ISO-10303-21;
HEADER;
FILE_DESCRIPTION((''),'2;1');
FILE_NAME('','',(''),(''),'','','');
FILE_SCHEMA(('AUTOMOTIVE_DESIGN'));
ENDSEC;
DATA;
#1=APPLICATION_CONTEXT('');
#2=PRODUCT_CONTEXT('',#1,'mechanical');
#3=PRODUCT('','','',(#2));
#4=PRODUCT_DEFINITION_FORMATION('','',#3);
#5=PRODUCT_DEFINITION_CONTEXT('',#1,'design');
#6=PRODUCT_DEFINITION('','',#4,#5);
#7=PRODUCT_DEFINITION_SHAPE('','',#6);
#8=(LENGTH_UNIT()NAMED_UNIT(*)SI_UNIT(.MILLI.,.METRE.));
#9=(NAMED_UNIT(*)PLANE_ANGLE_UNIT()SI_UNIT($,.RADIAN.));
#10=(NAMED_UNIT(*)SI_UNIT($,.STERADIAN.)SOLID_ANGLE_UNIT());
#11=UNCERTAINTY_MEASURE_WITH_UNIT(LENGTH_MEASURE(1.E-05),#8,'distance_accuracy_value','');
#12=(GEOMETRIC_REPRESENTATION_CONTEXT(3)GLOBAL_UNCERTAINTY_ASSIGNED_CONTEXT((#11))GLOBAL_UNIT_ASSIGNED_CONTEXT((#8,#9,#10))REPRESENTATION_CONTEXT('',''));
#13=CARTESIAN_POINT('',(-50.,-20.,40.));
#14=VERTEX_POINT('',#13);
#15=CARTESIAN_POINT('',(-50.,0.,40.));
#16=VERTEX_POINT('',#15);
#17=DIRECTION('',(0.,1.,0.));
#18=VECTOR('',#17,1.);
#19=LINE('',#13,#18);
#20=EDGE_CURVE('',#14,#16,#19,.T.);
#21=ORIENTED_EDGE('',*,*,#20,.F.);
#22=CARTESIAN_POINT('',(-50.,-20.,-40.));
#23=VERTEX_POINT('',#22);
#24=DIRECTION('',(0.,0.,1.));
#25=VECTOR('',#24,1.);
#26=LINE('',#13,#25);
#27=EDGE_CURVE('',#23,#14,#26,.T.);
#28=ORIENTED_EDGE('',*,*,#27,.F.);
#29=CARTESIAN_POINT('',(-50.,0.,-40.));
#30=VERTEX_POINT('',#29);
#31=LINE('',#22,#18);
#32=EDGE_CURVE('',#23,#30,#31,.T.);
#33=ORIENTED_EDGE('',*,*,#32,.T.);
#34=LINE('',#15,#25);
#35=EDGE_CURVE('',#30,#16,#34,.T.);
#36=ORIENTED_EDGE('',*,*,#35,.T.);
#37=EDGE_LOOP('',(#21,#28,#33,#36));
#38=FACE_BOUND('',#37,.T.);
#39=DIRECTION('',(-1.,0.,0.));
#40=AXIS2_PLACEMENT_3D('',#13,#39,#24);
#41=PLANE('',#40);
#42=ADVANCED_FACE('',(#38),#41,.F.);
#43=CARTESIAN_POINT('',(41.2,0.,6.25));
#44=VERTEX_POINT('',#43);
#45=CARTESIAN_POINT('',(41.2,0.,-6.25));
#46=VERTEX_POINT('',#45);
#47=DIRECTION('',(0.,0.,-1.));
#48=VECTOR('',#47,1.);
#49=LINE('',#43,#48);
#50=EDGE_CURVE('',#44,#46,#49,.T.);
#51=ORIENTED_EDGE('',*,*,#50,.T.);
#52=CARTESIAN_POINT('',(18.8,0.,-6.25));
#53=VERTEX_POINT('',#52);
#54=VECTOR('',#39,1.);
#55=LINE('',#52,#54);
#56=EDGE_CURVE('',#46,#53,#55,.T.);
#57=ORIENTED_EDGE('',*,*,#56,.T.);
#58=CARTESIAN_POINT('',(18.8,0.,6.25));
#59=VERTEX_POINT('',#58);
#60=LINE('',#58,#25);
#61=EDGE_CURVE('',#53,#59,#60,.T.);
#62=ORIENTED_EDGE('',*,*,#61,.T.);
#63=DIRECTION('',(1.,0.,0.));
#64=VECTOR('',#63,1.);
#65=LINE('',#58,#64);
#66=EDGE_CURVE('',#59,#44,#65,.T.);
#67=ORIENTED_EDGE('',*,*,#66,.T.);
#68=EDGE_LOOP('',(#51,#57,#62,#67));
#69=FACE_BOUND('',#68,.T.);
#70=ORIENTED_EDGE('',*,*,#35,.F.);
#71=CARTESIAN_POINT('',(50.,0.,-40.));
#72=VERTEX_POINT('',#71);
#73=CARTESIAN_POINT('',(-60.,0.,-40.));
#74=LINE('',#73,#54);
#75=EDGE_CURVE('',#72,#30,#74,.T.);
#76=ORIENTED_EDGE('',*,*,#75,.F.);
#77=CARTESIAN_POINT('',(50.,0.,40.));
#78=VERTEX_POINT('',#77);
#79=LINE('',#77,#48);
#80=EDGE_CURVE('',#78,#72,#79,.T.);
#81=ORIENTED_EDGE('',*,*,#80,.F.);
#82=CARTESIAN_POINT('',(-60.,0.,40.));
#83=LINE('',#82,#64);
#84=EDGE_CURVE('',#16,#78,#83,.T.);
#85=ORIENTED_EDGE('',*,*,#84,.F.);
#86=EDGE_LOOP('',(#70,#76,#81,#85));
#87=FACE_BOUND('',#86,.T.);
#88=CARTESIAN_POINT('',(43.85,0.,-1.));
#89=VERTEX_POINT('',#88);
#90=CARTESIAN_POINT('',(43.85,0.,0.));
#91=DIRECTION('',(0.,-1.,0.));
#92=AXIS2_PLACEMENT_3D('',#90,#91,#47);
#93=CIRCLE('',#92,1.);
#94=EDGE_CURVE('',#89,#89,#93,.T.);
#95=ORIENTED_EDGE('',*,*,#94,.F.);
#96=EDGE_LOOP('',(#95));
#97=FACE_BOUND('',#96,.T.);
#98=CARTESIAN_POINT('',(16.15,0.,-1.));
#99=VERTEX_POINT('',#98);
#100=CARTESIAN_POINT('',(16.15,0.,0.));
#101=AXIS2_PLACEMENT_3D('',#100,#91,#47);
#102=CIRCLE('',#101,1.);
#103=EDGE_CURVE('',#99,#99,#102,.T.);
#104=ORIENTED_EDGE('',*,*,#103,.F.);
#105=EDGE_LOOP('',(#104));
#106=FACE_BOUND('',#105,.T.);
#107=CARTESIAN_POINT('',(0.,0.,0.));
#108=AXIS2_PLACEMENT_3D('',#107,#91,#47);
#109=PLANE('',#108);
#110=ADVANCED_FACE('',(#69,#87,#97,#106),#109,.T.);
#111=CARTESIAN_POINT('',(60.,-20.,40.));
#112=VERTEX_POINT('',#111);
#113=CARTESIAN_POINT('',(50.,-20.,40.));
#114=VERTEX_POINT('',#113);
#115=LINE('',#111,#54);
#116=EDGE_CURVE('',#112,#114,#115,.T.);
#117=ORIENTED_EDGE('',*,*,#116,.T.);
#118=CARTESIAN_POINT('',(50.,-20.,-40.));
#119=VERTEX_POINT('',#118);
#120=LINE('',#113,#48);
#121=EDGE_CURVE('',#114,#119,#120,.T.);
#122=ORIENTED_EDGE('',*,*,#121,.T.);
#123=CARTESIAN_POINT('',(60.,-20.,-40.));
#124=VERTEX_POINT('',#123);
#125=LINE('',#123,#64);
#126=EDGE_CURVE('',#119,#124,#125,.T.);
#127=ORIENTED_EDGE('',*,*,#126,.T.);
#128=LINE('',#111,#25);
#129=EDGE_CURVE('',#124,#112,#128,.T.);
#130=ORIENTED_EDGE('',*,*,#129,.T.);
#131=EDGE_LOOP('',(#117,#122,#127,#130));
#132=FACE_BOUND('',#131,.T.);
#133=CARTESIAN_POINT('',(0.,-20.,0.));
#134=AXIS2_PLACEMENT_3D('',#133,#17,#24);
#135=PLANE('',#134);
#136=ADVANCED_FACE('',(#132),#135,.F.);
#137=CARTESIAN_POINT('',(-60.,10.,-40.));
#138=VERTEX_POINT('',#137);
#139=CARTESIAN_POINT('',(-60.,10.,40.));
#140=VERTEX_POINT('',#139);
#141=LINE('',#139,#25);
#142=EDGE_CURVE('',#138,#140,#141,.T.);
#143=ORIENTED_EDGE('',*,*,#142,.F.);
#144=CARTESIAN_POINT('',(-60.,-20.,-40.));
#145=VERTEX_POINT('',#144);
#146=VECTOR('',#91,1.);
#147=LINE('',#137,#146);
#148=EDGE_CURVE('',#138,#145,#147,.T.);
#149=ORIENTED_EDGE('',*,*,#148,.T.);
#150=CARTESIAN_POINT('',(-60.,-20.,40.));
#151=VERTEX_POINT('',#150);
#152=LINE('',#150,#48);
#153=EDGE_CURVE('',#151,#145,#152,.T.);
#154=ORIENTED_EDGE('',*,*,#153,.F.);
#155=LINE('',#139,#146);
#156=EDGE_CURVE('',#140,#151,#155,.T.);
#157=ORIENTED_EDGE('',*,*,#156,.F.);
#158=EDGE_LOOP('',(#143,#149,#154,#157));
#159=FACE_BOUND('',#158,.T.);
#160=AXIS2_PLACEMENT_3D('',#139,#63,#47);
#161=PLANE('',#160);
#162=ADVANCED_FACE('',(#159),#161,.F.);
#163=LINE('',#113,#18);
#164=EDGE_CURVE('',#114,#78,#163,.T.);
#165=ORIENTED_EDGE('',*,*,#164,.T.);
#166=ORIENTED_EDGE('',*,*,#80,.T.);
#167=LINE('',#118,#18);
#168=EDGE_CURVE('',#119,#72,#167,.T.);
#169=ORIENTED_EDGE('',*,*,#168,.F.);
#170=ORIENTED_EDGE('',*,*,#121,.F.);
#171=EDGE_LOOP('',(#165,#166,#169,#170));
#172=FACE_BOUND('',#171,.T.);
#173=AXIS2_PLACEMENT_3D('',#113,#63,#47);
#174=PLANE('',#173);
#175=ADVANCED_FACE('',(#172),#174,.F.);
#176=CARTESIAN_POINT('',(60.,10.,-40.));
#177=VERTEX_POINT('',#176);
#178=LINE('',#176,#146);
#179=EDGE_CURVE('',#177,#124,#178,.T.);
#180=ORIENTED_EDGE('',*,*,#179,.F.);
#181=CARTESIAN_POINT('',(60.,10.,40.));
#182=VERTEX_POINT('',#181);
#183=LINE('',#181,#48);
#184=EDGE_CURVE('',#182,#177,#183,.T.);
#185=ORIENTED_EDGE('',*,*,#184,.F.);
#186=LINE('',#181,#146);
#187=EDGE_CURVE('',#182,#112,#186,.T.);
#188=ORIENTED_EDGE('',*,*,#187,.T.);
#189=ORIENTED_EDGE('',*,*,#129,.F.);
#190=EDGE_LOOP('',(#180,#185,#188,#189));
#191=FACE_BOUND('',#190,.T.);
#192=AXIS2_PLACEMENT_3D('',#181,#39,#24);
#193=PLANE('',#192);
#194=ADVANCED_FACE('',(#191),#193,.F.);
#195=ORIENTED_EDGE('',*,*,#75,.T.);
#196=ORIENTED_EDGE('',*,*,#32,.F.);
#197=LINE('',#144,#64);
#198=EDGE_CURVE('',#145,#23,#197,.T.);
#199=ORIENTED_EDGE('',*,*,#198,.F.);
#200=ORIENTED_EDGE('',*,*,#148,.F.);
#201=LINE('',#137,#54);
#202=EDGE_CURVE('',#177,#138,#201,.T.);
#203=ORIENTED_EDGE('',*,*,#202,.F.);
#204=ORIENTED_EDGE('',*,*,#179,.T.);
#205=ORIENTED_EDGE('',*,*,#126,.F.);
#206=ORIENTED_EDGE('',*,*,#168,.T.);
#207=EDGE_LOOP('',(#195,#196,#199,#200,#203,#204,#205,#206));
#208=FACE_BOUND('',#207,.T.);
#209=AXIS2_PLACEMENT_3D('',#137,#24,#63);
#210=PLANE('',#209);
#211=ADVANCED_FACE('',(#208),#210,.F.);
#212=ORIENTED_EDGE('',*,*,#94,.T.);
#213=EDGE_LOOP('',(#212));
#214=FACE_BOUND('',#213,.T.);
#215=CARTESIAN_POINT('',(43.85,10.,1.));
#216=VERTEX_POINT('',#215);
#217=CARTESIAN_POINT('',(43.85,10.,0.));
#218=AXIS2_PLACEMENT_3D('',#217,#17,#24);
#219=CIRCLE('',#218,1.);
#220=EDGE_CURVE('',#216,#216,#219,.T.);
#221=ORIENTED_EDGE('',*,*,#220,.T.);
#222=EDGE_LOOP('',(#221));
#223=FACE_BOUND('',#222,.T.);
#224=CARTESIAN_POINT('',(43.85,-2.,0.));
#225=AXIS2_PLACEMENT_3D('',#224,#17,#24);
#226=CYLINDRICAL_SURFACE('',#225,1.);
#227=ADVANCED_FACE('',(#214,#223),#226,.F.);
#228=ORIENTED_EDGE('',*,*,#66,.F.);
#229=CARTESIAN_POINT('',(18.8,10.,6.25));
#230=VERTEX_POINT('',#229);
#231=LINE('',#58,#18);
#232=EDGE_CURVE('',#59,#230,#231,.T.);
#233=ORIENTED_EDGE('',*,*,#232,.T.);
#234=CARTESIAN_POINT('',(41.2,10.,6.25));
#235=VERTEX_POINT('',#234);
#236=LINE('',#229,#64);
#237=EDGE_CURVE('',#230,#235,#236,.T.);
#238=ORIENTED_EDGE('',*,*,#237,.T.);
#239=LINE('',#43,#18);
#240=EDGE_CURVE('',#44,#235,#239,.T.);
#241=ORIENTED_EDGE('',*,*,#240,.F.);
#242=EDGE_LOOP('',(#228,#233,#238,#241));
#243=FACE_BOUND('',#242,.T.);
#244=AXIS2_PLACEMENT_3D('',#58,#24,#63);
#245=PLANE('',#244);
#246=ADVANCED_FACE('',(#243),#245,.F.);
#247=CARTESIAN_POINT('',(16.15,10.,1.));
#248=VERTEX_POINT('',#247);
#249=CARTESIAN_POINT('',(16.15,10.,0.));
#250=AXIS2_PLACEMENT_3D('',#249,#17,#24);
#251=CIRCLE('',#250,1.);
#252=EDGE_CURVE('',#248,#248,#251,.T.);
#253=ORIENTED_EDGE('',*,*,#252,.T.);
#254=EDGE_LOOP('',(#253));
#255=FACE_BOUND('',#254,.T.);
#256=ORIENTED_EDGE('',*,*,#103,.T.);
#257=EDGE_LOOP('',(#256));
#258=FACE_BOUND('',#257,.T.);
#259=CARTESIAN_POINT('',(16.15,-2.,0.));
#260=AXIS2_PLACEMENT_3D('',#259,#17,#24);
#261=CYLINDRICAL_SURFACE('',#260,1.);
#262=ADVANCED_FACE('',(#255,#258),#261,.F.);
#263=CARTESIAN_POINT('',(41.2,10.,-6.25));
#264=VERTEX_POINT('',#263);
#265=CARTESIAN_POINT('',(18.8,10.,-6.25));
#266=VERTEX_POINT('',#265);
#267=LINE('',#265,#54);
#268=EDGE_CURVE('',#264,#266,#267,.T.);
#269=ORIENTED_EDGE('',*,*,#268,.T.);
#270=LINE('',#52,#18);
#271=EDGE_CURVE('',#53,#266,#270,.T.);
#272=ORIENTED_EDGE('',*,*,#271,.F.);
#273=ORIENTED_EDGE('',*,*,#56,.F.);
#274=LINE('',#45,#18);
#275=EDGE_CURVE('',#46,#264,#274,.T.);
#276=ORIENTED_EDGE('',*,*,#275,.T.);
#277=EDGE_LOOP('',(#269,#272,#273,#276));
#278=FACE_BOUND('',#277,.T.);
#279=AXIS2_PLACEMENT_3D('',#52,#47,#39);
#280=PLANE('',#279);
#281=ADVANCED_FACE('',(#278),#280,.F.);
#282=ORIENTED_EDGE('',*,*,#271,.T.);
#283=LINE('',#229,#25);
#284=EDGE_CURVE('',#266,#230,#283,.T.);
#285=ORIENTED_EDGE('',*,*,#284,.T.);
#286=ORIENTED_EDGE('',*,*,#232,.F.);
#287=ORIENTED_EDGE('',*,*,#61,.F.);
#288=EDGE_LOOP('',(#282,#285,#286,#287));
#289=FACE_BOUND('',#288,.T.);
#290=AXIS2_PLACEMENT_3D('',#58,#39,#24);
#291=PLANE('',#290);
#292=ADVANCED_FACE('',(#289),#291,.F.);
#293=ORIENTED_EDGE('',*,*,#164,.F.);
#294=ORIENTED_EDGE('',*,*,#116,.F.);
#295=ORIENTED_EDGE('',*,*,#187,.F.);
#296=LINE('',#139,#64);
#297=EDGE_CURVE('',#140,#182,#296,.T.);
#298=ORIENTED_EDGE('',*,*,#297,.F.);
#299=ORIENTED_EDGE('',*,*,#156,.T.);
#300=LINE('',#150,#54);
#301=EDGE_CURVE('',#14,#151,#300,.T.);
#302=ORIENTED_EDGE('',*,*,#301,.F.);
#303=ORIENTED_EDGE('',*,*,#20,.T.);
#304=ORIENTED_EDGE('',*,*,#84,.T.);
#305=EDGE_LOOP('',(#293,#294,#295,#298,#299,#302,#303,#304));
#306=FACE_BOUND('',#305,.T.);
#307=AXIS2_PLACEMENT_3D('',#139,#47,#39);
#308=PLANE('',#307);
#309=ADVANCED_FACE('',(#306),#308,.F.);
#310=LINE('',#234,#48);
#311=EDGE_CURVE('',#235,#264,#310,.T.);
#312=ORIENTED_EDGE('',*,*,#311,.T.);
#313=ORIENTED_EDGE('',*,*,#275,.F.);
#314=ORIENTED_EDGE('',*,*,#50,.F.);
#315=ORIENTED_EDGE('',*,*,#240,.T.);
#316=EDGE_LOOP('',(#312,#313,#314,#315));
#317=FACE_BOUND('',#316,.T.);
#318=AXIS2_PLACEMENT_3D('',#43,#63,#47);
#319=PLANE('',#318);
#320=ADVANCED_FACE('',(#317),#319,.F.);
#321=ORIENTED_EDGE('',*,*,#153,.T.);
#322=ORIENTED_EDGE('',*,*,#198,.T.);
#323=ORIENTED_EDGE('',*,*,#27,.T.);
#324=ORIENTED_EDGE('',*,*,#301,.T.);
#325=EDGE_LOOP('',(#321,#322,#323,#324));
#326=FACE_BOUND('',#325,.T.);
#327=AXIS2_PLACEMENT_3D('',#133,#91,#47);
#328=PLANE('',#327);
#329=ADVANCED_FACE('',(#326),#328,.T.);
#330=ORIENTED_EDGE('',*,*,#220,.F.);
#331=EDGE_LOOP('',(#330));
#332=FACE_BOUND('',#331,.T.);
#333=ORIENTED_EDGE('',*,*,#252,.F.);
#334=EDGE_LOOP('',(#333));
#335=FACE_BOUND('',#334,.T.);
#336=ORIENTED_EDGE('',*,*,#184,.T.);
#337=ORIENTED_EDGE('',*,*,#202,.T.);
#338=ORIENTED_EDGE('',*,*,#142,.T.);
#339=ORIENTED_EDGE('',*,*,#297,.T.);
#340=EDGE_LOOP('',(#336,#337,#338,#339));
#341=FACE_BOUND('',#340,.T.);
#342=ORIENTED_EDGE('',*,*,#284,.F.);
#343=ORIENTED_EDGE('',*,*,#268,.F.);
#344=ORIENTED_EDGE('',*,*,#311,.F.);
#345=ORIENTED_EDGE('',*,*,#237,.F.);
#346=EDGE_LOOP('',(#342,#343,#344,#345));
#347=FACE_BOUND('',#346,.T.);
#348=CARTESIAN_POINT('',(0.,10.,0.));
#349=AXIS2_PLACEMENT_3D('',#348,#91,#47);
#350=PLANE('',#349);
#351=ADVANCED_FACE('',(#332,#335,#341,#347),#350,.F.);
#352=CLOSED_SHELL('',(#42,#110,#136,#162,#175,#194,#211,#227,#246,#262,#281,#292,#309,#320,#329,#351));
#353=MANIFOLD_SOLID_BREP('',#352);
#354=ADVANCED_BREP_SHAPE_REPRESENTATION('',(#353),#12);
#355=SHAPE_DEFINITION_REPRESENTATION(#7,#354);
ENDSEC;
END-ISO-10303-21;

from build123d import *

# Parameters (mm, degrees)
SKETCH1_W           = 120
SKETCH1_H           = 80
BOSS_EXTRUDE1_DEPTH = 10
SKETCH2_W           = 22.4
SKETCH2_H           = 12.5
CUT_EXTRUDE1_DEPTH  = 10
SKETCH3_W           = 10
SKETCH3_H           = 80
BOSS_EXTRUDE2_DEPTH = 20
SKETCH4_R           = 1
CUT_EXTRUDE3_DEPTH  = 12


with BuildPart() as part:
    # Sketch1 → Boss-Extrude1 (new body)
    with BuildSketch(Plane(origin=(0, 0, 0), x_dir=(1, 0, 0), z_dir=(0, 1, 0))):
        Rectangle(SKETCH1_W, SKETCH1_H)
    extrude(amount=BOSS_EXTRUDE1_DEPTH)

    # Sketch2 → Cut-Extrude1 (cut)
    with BuildSketch(Plane(origin=(0, 10, 0), x_dir=(1, 0, 0), z_dir=(0, 1, 0))):
        with Locations((30, 0)):
            Rectangle(SKETCH2_W, SKETCH2_H)
    extrude(amount=-CUT_EXTRUDE1_DEPTH, mode=Mode.SUBTRACT)

    # Sketch3 → Boss-Extrude2 (add)
    with BuildSketch(Plane.XZ):
        with Locations((-55, 0)):
            Rectangle(SKETCH3_W, SKETCH3_H)
        with Locations((55, 0)):
            Rectangle(SKETCH3_W, SKETCH3_H)
    extrude(amount=BOSS_EXTRUDE2_DEPTH)

    # Sketch4 → Cut-Extrude3 (cut)
    with BuildSketch(Plane(origin=(0, 10, 0), x_dir=(1, 0, 0), z_dir=(0, 1, 0))):
        with Locations(Location((16.15, 0, 0), (0, 0, 270))):
            Circle(SKETCH4_R)
        with Locations(Location((43.85, 0, 0), (0, 0, 270))):
            Circle(SKETCH4_R)
    extrude(amount=-CUT_EXTRUDE3_DEPTH, mode=Mode.SUBTRACT)


solid = part.part
